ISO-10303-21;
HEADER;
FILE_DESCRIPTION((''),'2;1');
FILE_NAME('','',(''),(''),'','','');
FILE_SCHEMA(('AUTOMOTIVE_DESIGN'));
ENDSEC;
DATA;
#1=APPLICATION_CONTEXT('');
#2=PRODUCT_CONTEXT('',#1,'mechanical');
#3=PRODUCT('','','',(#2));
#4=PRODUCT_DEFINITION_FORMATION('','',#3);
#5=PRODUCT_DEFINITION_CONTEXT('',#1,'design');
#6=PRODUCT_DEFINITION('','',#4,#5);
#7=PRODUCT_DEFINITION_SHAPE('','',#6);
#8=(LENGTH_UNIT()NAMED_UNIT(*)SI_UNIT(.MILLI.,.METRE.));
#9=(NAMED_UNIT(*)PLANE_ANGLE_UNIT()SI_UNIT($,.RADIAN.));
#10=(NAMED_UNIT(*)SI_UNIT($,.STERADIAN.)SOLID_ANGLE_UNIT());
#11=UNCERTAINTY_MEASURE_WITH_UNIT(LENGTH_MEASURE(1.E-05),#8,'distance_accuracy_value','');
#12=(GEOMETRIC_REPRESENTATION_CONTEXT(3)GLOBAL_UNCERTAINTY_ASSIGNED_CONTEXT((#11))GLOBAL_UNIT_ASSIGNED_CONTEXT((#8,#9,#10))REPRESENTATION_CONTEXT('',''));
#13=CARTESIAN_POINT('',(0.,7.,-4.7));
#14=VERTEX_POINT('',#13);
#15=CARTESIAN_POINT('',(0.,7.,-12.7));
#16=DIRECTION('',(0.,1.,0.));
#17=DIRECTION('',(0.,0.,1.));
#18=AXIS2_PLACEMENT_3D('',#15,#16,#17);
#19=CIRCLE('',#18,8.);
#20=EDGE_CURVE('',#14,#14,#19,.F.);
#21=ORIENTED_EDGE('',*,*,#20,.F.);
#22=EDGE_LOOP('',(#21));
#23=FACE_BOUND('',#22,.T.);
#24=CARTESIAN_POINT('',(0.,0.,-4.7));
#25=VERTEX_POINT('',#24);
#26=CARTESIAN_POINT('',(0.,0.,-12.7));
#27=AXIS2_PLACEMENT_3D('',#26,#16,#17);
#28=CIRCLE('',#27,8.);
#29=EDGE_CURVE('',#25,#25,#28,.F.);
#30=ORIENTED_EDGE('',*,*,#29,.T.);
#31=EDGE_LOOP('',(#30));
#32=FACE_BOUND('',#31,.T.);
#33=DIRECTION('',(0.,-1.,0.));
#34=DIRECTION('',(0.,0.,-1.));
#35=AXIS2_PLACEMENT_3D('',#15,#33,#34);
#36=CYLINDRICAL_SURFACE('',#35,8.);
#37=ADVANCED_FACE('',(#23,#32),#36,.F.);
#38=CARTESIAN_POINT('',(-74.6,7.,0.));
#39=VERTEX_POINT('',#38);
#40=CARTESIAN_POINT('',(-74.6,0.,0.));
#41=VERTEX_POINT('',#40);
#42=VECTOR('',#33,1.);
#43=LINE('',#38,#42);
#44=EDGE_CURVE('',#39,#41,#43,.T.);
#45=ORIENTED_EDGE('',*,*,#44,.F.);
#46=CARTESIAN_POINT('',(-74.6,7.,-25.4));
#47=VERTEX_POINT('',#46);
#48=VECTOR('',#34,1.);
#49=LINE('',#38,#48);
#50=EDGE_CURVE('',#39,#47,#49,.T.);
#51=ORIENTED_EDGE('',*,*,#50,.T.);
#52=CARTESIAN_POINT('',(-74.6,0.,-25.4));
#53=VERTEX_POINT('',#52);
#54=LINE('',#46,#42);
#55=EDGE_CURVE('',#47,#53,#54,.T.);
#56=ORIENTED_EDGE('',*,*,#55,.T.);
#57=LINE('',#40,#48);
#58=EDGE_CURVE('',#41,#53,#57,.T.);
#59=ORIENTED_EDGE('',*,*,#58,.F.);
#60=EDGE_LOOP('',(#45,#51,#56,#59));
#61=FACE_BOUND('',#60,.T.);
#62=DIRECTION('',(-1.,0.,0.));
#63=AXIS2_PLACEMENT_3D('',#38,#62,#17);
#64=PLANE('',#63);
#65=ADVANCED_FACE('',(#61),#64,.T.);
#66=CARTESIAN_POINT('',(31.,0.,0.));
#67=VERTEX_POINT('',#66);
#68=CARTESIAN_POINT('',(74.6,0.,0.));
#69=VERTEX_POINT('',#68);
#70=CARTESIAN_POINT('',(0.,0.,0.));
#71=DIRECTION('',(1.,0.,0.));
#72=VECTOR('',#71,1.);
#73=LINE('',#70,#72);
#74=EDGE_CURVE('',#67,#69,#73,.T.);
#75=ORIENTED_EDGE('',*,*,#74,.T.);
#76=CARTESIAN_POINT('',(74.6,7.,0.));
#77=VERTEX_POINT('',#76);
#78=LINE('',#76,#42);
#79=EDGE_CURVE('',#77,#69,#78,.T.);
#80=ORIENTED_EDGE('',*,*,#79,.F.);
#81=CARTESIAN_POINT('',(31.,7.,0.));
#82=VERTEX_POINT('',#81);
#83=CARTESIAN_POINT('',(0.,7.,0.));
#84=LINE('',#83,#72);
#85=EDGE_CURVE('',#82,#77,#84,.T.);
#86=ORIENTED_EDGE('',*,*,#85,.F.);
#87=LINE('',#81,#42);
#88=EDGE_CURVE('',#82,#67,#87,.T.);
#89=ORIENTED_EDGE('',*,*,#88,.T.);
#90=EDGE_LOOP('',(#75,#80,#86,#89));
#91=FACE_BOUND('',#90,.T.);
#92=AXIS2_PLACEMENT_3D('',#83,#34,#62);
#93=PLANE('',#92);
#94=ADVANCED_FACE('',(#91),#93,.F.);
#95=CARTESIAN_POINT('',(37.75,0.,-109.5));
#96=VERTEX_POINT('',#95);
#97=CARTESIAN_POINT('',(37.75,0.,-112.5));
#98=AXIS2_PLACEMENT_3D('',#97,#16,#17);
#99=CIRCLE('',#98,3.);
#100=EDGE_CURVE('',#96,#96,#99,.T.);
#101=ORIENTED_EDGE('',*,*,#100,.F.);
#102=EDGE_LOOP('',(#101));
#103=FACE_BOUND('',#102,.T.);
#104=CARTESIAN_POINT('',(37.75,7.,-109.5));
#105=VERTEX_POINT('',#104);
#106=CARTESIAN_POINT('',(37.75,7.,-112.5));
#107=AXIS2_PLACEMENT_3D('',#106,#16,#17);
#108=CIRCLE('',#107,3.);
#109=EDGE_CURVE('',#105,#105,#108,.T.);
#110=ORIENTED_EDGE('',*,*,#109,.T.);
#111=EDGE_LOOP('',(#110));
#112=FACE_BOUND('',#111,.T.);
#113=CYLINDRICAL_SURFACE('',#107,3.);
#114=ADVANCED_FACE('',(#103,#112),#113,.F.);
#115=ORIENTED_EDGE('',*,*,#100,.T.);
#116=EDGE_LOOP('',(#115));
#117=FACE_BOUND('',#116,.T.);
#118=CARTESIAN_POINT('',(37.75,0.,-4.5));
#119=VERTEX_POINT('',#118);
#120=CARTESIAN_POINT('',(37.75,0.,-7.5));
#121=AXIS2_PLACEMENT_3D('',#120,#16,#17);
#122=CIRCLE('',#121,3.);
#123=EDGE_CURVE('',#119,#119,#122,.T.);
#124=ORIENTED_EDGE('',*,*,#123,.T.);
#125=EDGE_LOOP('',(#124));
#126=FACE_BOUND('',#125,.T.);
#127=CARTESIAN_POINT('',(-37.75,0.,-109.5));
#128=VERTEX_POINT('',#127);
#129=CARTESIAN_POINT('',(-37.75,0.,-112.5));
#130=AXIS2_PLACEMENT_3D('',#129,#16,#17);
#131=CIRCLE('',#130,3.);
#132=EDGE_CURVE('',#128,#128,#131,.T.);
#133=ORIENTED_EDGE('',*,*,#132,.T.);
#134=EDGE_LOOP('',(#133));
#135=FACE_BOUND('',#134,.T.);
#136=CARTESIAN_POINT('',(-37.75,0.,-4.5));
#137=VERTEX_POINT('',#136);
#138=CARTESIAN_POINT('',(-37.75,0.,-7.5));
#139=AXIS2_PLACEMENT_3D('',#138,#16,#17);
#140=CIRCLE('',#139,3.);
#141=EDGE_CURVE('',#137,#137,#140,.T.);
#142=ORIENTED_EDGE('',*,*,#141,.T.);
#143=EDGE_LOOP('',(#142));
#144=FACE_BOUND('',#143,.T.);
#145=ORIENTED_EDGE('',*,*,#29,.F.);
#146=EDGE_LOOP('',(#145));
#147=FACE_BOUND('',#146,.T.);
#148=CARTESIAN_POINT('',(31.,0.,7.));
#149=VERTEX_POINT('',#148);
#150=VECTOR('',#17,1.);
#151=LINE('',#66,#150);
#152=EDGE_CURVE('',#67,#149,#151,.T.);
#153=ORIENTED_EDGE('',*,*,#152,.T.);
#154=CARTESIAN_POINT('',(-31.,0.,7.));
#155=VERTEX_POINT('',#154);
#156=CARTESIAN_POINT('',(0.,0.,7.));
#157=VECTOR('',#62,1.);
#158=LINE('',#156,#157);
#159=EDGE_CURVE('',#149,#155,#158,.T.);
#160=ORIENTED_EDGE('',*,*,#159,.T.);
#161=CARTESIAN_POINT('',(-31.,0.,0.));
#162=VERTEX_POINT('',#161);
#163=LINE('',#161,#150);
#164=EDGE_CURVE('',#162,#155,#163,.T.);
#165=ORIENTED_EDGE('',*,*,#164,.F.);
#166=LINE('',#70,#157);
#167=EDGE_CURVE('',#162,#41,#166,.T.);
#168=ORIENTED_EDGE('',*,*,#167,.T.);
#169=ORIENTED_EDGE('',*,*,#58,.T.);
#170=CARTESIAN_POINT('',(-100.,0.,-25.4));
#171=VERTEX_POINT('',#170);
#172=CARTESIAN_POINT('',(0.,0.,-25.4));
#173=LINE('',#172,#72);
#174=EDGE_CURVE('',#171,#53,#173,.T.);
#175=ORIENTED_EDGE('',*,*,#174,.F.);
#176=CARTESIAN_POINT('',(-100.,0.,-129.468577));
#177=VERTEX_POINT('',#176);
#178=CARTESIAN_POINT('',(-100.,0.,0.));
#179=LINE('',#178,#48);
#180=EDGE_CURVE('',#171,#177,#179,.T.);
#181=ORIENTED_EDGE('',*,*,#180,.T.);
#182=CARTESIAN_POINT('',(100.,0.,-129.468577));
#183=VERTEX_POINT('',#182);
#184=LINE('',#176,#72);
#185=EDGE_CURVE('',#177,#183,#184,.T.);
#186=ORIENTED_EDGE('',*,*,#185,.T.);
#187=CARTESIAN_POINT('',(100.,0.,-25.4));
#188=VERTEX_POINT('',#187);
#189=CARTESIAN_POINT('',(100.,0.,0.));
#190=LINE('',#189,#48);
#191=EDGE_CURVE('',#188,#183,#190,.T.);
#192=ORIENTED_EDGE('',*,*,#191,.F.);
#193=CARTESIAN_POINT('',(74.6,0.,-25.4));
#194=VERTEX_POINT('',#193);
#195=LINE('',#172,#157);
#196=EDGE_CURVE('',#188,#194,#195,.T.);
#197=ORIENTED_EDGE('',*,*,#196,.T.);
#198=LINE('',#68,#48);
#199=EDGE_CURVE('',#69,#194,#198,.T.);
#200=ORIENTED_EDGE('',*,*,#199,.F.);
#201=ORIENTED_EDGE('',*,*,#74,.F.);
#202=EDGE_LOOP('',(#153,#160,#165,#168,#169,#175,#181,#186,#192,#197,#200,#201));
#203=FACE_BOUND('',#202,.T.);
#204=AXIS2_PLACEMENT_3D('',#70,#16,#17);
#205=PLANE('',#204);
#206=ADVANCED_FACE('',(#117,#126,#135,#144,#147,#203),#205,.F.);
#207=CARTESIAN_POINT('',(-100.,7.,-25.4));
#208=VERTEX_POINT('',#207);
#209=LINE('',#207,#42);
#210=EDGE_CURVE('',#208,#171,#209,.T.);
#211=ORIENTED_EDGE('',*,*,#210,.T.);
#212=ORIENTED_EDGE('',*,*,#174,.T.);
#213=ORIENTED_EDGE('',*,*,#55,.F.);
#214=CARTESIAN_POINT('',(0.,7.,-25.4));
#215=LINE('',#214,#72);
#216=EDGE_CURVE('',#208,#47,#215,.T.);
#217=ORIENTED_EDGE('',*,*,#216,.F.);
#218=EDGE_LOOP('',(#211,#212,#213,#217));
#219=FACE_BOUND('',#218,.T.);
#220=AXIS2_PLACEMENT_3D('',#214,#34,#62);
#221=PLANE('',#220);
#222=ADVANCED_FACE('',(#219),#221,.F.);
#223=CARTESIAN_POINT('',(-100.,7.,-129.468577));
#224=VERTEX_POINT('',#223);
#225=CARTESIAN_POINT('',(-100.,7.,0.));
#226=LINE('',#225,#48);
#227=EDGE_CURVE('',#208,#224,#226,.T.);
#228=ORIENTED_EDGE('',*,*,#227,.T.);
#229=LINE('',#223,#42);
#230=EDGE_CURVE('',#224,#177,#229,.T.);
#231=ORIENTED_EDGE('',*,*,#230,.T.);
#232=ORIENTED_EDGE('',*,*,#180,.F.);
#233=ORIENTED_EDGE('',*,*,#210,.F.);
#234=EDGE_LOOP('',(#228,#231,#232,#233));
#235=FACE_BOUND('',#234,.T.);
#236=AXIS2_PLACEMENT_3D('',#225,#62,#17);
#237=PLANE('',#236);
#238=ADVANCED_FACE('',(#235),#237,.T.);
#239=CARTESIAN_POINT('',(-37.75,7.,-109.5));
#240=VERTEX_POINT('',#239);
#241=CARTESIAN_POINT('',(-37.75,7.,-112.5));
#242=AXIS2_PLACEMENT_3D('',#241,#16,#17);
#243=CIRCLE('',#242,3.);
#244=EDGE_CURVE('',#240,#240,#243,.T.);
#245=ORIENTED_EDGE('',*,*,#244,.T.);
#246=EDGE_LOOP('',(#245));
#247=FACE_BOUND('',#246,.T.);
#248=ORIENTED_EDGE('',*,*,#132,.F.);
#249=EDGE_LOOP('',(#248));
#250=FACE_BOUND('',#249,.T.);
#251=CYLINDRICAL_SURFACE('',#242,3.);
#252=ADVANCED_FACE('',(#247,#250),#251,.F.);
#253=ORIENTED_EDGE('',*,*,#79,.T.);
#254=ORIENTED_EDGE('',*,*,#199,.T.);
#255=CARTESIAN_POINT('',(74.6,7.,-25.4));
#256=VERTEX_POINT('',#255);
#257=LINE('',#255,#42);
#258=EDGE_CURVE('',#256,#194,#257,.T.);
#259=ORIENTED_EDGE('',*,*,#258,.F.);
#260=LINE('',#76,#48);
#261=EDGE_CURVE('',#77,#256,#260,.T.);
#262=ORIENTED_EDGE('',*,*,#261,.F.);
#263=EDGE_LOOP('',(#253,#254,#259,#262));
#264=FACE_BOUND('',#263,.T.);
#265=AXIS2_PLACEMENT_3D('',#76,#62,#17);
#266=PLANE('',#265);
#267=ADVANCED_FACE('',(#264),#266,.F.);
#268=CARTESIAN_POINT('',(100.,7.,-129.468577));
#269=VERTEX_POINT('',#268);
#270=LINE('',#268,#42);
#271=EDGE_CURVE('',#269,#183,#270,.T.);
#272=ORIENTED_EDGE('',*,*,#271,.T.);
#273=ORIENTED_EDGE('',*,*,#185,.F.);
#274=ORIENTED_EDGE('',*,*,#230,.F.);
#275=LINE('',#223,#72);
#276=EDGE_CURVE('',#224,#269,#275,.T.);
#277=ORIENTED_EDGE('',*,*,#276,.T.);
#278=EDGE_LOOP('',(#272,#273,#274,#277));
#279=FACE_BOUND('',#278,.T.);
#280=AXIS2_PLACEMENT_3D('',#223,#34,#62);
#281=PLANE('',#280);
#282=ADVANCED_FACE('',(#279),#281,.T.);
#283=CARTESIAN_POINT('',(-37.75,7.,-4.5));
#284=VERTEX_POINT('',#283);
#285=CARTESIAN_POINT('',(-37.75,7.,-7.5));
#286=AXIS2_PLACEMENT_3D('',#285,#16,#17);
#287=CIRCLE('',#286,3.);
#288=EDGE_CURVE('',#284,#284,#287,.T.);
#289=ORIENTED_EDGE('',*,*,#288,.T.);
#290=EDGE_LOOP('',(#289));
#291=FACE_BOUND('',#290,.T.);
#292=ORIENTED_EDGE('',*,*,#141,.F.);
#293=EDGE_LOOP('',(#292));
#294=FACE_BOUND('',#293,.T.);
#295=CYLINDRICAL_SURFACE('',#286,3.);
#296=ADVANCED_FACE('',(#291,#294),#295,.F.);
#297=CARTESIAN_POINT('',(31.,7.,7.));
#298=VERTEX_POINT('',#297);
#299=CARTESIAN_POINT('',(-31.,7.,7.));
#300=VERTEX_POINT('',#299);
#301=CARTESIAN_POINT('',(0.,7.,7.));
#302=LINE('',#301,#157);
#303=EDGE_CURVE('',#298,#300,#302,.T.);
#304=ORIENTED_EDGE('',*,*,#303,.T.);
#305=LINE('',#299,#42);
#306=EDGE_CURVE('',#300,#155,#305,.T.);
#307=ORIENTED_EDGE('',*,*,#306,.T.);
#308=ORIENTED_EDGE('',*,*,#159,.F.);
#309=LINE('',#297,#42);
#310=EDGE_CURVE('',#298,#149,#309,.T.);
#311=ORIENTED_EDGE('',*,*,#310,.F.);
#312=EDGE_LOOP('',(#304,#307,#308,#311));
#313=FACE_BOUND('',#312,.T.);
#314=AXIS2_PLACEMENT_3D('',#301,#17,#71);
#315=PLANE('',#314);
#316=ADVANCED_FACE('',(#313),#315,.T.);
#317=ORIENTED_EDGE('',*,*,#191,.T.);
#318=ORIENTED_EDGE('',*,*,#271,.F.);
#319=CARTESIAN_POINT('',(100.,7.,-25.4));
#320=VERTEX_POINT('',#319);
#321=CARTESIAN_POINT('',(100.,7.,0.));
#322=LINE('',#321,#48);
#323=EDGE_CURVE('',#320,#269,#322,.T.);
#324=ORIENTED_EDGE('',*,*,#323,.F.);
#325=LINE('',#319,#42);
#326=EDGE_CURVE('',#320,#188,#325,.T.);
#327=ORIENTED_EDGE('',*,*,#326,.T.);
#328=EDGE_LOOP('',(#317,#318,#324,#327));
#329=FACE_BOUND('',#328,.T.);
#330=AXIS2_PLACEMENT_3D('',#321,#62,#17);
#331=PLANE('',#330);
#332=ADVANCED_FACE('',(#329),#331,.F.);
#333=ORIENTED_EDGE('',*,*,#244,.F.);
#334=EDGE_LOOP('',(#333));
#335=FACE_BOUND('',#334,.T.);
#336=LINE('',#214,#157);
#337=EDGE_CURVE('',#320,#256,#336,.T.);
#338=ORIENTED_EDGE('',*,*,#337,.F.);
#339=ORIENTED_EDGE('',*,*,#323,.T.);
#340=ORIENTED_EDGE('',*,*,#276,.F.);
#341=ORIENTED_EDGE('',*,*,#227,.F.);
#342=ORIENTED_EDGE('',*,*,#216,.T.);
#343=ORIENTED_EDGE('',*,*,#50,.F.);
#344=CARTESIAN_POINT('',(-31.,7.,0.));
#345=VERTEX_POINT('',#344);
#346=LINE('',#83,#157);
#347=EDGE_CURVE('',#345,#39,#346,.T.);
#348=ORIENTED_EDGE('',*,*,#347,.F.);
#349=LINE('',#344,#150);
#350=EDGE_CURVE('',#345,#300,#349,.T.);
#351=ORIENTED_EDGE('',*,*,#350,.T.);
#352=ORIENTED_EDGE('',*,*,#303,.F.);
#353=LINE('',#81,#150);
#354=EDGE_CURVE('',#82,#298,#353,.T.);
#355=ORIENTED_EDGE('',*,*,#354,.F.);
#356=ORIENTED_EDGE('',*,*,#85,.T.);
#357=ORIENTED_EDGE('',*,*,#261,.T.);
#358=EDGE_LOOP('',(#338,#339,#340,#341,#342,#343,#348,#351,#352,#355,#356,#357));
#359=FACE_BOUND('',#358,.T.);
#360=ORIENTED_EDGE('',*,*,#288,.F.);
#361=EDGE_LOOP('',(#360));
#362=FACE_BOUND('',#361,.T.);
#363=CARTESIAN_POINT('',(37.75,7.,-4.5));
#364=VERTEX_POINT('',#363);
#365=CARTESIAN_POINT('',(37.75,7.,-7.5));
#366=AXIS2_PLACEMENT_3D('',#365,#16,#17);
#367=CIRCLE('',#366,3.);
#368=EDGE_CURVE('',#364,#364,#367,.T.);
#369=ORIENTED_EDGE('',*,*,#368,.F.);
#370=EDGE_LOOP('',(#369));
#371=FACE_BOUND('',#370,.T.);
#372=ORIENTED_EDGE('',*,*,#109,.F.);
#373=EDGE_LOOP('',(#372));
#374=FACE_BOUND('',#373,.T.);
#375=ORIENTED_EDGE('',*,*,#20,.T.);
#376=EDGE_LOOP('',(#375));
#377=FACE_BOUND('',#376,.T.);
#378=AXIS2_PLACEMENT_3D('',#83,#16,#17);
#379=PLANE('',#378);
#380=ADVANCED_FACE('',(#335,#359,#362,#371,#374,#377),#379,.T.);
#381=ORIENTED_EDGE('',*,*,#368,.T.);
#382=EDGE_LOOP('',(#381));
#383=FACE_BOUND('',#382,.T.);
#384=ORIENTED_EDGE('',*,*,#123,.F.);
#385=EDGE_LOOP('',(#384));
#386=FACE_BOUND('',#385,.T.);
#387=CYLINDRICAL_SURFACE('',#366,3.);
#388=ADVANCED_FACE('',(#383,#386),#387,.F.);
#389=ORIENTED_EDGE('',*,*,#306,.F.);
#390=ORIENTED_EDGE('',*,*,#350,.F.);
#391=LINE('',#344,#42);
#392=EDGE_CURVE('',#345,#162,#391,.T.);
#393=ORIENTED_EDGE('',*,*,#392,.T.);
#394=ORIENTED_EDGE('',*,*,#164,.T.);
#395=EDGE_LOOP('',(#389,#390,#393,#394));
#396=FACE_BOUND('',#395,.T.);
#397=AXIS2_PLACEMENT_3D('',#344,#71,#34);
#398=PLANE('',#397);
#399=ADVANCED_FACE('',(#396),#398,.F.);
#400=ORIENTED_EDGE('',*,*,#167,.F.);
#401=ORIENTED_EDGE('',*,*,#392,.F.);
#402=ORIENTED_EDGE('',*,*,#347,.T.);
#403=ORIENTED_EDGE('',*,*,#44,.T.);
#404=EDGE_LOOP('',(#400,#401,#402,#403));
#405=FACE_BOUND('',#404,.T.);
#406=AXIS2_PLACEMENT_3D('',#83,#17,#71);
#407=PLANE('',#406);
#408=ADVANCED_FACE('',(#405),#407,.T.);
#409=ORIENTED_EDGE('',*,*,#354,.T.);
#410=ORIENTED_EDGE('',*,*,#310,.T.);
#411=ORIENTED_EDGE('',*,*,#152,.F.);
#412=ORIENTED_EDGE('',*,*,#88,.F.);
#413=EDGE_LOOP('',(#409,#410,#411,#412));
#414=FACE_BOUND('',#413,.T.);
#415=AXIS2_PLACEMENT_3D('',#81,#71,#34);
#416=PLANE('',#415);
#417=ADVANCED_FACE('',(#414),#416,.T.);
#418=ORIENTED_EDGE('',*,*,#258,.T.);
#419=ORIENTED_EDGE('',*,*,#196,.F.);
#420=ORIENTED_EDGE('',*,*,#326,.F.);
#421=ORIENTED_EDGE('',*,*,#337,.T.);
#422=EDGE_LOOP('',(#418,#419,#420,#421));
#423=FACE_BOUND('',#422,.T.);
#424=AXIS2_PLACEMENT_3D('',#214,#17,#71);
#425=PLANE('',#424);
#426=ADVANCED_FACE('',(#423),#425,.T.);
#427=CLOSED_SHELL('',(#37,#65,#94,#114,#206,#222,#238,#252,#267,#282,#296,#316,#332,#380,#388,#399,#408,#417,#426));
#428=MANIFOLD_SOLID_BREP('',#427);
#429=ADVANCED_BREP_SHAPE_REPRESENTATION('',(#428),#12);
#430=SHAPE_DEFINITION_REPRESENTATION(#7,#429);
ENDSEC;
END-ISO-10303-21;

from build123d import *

# Parameters (mm, degrees)
SKETCH1_W                = 31
SKETCH1_H                = 7
SKETCH1_W_2              = 100
SKETCH1_H_2              = 45
BOSS_EXTRUDE1_DEPTH      = 7
F_6_0_6_DIAMETER_HOLE1_D = 6


with BuildPart() as part:
    # Sketch1 → Boss-Extrude1 (new body)
    with BuildSketch(Plane(origin=(0, 0, 0), x_dir=(1, 0, 0), z_dir=(0, 1, 0))):
        with BuildLine():
            Line((-31, 0), (0, 0))
            Line((0, 0), (0, 4.7))
            ThreePointArc((0, 4.7), (-8, 12.7), (0, 20.7))
            Line((0, 20.7), (0, 84.468576745))
            Line((0, 84.468576745), (-100, 84.468576745))
            Line((-100, 84.468576745), (-100, 25.4))
            Line((-100, 25.4), (-74.6, 25.4))
            Line((-74.6, 25.4), (-74.6, 0))
            Line((-74.6, 0), (-31, 0))
        make_face()
        with Locations((-15.5, -3.5)):
            Rectangle(SKETCH1_W, SKETCH1_H)
        with Locations((-50, 106.968576745)):
            Rectangle(SKETCH1_W_2, SKETCH1_H_2)
    boss_extrude1 = extrude(amount=BOSS_EXTRUDE1_DEPTH)

    # Mirror1: Boss-Extrude1 across Right Plane
    add(boss_extrude1.mirror(Plane(origin=(0, 0, 0), x_dir=(0, 0, -1), z_dir=(1, 0, 0))))

    # Ø6.0 (6) Diameter Hole1 (through all)
    with Locations(Plane(origin=(-37.75, 7, -7.5), x_dir=(0, 0, 1), z_dir=(0, 1, 0))):
        with Locations((0, 0), (0, 75.5), (-105, 75.5), (-105, 0)):
            Hole(F_6_0_6_DIAMETER_HOLE1_D / 2)


solid = part.part
